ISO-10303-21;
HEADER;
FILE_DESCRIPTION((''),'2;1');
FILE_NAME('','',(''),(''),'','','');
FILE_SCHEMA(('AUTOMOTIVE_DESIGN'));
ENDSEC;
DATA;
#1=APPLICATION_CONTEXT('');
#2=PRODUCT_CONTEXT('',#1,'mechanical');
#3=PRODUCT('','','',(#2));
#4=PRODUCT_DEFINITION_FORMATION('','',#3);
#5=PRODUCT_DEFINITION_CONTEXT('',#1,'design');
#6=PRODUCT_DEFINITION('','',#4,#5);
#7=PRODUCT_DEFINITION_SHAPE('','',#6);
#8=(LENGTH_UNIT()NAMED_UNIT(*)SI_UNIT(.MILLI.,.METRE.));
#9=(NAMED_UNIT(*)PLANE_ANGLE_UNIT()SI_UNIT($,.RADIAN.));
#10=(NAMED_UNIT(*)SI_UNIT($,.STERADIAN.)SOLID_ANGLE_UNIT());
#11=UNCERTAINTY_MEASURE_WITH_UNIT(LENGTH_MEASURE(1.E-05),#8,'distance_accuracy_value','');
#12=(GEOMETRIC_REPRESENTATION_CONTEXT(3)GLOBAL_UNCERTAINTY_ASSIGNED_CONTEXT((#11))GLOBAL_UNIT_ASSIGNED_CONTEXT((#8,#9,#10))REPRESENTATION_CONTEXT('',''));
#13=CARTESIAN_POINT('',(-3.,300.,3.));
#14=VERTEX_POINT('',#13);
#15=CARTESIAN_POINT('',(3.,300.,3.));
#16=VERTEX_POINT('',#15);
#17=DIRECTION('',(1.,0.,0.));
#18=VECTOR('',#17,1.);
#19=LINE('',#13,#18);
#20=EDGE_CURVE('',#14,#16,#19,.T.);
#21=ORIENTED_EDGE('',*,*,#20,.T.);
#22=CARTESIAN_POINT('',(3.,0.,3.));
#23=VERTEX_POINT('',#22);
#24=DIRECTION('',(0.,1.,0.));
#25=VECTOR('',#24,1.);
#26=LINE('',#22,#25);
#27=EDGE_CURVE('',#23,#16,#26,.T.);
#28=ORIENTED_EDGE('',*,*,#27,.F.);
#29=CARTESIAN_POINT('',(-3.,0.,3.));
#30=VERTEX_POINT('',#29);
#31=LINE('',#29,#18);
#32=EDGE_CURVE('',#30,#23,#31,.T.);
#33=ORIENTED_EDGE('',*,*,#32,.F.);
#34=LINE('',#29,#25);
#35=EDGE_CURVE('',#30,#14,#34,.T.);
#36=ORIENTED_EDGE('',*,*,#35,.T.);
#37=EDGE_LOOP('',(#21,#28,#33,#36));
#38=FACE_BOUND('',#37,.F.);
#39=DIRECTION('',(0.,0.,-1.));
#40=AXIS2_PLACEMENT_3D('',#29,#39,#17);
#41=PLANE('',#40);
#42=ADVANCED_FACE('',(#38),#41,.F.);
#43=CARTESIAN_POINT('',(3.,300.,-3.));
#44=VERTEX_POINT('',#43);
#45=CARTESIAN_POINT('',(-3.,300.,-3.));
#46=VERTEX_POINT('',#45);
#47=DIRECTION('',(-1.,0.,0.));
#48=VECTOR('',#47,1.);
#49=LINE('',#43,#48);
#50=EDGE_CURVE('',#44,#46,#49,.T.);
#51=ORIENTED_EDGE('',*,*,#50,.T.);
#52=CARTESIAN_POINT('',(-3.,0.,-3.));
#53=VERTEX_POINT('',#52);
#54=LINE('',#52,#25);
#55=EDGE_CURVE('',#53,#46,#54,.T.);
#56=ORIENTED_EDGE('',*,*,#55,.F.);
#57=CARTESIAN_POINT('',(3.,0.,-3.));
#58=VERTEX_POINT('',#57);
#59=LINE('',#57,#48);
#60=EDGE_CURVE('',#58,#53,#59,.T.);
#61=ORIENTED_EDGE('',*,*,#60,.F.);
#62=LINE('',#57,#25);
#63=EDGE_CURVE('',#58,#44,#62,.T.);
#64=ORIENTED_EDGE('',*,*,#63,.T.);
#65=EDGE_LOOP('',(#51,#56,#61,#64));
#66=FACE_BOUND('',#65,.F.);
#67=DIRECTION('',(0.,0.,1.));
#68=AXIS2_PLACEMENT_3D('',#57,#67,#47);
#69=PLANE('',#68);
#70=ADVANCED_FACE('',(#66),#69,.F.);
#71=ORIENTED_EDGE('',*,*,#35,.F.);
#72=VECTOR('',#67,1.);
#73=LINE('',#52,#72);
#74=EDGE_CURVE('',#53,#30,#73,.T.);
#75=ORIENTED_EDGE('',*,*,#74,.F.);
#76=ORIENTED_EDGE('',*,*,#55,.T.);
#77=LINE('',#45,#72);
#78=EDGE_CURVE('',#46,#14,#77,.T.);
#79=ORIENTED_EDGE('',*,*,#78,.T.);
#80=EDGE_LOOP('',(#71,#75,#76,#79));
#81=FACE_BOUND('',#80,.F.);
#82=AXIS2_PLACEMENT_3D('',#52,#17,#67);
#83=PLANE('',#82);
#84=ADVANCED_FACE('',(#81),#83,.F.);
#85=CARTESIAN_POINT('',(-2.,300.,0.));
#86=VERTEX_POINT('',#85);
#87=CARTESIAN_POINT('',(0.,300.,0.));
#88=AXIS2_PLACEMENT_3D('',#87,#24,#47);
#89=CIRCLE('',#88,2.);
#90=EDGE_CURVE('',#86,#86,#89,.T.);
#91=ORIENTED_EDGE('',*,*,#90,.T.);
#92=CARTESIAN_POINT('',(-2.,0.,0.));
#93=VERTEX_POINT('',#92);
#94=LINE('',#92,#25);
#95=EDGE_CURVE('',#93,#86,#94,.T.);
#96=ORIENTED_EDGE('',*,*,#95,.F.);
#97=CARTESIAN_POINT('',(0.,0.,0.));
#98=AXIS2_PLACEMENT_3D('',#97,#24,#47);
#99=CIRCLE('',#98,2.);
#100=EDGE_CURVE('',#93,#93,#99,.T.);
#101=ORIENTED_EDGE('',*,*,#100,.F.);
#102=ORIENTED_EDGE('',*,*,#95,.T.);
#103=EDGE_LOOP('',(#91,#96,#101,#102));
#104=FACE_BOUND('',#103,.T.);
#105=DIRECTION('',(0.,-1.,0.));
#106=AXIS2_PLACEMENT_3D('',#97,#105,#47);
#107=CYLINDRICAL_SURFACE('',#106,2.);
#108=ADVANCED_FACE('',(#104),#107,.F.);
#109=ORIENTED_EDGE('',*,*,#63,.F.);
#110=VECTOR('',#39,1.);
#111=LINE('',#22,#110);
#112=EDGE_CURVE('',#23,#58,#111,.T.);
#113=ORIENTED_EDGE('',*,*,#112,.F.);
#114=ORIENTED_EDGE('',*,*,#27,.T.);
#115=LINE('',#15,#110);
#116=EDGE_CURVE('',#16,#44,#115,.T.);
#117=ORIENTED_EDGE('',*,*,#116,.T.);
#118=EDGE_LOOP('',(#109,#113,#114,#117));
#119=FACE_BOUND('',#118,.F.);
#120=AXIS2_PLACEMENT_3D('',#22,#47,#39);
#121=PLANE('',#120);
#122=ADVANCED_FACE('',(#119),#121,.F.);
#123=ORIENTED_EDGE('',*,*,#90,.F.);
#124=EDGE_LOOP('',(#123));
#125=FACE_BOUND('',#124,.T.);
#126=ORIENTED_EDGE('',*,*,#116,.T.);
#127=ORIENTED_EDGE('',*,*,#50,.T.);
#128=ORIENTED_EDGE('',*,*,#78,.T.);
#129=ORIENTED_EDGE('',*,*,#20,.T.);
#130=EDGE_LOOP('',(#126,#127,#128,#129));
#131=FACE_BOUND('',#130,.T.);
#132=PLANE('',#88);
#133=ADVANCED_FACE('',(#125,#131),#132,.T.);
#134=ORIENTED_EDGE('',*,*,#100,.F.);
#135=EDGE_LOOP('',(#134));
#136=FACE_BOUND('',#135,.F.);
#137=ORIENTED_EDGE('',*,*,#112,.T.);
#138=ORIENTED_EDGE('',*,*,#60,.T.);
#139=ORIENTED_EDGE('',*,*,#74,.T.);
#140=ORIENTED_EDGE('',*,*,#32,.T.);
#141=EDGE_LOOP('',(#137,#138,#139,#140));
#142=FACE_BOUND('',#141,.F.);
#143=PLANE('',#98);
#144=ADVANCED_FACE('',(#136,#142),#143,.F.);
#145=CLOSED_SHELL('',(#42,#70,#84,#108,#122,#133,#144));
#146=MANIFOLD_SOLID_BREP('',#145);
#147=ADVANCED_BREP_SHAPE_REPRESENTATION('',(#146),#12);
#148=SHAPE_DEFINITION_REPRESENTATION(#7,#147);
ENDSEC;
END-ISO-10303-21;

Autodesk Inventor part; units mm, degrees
ref_plane "YZ Plane" through (0, 0, 0) normal (1, 0, 0) x (0, 1, 0)
ref_plane "XZ Plane" through (0, 0, 0) normal (0, 1, 0) x (-1, 0, 0)
ref_plane "XY Plane" through (0, 0, 0) normal (0, 0, 1) x (1, 0, 0)
sketch "Sketch1" plane through (0, 0, 0) normal (0, 1, 0) x (-1, 0, 0)
  line L0 (3, 3) -> (-3, 3)
  line L1 (-3, 3) -> (-3, -3)
  line L2 (-3, -3) -> (3, -3)
  line L3 (3, -3) -> (3, 3)
  line L4 (3, 3) -> (-3, -3) construction
  line L5 (-3, 3) -> (3, -3) construction
  circle A0 centre (0, 0) radius 2
  point P0 (0, 0)
  dimension "d0" = 6
  dimension "d1" = 6
  dimension "d2" = 4
extrude "Extrusion1" add sketch "Sketch1" along normal blind 300
properties part number "carbon_fiber_200"
